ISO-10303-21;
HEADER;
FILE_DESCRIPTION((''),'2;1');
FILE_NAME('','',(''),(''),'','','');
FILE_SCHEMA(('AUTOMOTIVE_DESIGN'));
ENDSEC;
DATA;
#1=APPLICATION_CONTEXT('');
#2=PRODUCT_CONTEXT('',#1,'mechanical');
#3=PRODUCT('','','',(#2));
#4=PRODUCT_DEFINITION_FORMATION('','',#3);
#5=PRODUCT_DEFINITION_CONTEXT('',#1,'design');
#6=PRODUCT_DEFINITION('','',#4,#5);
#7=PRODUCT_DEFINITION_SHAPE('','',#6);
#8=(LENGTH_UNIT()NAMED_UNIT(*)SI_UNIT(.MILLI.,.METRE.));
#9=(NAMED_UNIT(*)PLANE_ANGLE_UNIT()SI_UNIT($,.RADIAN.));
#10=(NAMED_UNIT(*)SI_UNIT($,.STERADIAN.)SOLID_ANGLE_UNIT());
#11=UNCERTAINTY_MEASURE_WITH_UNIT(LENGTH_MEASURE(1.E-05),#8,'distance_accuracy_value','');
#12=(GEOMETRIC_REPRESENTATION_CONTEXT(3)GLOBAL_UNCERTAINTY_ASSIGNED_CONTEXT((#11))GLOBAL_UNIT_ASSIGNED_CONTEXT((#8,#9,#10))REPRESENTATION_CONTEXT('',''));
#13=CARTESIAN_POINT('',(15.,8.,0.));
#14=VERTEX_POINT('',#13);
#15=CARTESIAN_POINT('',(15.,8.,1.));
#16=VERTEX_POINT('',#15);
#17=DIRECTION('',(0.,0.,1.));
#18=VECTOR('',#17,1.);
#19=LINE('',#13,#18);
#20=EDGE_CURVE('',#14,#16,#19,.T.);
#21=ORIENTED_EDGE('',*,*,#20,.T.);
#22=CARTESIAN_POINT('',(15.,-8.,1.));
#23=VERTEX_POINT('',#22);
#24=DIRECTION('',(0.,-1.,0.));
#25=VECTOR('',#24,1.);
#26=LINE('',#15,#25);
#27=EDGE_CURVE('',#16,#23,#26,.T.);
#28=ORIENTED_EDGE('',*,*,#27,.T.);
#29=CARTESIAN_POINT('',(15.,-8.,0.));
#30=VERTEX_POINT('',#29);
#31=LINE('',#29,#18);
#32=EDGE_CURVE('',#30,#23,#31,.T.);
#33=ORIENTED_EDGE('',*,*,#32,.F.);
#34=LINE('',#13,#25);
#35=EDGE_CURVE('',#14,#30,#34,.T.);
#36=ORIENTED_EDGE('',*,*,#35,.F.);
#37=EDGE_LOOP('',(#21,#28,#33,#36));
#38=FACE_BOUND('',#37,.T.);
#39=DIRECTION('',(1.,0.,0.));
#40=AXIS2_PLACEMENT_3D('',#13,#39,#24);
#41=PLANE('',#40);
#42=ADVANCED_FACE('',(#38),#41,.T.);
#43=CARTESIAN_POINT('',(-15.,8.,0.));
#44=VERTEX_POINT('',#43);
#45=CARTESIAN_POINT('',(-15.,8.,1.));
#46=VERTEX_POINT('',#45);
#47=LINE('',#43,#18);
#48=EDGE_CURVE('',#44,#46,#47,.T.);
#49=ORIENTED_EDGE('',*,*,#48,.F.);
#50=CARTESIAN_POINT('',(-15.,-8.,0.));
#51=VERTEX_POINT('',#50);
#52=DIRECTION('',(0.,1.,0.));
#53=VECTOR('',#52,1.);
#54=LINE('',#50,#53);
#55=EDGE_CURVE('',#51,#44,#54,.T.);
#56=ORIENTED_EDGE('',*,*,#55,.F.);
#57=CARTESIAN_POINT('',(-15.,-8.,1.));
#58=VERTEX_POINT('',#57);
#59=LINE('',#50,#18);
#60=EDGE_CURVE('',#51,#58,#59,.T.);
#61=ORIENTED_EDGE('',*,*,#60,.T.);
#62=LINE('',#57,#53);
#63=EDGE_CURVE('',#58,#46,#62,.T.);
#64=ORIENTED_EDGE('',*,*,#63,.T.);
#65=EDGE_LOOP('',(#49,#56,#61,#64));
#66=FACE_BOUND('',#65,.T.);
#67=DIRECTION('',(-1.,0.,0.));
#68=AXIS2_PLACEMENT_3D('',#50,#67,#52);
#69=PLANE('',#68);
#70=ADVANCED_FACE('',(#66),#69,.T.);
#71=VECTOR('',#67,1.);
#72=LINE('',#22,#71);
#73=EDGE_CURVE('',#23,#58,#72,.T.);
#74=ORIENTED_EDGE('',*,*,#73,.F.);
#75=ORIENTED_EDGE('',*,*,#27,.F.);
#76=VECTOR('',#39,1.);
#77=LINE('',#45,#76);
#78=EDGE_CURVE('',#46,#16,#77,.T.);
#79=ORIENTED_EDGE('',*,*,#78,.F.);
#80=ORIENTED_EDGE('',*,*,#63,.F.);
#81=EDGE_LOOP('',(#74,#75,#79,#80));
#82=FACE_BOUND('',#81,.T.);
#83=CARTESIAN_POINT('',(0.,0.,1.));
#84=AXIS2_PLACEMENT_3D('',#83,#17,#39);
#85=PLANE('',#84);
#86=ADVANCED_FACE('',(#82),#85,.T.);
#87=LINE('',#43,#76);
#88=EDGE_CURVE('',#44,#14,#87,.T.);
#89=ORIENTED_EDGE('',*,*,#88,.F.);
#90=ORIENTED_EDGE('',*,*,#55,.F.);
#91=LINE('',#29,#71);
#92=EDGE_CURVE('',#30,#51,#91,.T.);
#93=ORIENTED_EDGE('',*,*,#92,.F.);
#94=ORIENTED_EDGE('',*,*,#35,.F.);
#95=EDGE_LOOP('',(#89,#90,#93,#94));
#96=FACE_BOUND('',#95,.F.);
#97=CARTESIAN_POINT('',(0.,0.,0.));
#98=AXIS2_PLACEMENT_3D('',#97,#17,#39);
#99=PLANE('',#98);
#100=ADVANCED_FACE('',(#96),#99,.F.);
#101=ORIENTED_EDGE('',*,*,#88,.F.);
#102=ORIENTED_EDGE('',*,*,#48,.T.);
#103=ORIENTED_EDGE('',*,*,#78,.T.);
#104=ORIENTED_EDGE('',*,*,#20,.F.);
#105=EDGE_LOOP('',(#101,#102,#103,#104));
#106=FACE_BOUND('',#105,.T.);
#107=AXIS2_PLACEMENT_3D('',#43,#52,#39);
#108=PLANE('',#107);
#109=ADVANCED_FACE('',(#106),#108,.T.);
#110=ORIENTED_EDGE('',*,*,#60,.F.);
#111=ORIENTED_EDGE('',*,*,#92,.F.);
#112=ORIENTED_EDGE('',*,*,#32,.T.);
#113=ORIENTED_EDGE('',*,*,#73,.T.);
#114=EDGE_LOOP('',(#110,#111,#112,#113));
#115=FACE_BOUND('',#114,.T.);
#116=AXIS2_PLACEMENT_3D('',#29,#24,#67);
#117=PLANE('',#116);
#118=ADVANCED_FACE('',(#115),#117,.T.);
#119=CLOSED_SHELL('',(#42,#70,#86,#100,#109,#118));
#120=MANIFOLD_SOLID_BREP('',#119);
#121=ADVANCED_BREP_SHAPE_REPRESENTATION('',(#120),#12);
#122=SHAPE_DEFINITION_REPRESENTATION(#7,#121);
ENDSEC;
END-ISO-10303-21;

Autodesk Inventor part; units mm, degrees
ref_plane "YZ Plane" through (0, 0, 0) normal (1, 0, 0) x (0, 1, 0)
ref_plane "XZ Plane" through (0, 0, 0) normal (0, 1, 0) x (-1, 0, 0)
ref_plane "XY Plane" through (0, 0, 0) normal (0, 0, 1) x (1, 0, 0)
sketch "Sketch1" plane through (0, 0, 0) normal (0, 0, 1) x (1, 0, 0)
  line L0 (15, -8) -> (-15, -8)
  line L1 (-15, -8) -> (-15, 8)
  line L2 (-15, 8) -> (15, 8)
  line L3 (15, 8) -> (15, -8)
  line L4 (15, -8) -> (-15, 8) construction
  line L5 (-15, -8) -> (15, 8) construction
  point P0 (0, 0)
  dimension "d0" = 30
  dimension "d1" = 16
extrude "Extrusion1" add sketch "Sketch1" along normal blind 1
properties part number "00_Antenna_dummy"
